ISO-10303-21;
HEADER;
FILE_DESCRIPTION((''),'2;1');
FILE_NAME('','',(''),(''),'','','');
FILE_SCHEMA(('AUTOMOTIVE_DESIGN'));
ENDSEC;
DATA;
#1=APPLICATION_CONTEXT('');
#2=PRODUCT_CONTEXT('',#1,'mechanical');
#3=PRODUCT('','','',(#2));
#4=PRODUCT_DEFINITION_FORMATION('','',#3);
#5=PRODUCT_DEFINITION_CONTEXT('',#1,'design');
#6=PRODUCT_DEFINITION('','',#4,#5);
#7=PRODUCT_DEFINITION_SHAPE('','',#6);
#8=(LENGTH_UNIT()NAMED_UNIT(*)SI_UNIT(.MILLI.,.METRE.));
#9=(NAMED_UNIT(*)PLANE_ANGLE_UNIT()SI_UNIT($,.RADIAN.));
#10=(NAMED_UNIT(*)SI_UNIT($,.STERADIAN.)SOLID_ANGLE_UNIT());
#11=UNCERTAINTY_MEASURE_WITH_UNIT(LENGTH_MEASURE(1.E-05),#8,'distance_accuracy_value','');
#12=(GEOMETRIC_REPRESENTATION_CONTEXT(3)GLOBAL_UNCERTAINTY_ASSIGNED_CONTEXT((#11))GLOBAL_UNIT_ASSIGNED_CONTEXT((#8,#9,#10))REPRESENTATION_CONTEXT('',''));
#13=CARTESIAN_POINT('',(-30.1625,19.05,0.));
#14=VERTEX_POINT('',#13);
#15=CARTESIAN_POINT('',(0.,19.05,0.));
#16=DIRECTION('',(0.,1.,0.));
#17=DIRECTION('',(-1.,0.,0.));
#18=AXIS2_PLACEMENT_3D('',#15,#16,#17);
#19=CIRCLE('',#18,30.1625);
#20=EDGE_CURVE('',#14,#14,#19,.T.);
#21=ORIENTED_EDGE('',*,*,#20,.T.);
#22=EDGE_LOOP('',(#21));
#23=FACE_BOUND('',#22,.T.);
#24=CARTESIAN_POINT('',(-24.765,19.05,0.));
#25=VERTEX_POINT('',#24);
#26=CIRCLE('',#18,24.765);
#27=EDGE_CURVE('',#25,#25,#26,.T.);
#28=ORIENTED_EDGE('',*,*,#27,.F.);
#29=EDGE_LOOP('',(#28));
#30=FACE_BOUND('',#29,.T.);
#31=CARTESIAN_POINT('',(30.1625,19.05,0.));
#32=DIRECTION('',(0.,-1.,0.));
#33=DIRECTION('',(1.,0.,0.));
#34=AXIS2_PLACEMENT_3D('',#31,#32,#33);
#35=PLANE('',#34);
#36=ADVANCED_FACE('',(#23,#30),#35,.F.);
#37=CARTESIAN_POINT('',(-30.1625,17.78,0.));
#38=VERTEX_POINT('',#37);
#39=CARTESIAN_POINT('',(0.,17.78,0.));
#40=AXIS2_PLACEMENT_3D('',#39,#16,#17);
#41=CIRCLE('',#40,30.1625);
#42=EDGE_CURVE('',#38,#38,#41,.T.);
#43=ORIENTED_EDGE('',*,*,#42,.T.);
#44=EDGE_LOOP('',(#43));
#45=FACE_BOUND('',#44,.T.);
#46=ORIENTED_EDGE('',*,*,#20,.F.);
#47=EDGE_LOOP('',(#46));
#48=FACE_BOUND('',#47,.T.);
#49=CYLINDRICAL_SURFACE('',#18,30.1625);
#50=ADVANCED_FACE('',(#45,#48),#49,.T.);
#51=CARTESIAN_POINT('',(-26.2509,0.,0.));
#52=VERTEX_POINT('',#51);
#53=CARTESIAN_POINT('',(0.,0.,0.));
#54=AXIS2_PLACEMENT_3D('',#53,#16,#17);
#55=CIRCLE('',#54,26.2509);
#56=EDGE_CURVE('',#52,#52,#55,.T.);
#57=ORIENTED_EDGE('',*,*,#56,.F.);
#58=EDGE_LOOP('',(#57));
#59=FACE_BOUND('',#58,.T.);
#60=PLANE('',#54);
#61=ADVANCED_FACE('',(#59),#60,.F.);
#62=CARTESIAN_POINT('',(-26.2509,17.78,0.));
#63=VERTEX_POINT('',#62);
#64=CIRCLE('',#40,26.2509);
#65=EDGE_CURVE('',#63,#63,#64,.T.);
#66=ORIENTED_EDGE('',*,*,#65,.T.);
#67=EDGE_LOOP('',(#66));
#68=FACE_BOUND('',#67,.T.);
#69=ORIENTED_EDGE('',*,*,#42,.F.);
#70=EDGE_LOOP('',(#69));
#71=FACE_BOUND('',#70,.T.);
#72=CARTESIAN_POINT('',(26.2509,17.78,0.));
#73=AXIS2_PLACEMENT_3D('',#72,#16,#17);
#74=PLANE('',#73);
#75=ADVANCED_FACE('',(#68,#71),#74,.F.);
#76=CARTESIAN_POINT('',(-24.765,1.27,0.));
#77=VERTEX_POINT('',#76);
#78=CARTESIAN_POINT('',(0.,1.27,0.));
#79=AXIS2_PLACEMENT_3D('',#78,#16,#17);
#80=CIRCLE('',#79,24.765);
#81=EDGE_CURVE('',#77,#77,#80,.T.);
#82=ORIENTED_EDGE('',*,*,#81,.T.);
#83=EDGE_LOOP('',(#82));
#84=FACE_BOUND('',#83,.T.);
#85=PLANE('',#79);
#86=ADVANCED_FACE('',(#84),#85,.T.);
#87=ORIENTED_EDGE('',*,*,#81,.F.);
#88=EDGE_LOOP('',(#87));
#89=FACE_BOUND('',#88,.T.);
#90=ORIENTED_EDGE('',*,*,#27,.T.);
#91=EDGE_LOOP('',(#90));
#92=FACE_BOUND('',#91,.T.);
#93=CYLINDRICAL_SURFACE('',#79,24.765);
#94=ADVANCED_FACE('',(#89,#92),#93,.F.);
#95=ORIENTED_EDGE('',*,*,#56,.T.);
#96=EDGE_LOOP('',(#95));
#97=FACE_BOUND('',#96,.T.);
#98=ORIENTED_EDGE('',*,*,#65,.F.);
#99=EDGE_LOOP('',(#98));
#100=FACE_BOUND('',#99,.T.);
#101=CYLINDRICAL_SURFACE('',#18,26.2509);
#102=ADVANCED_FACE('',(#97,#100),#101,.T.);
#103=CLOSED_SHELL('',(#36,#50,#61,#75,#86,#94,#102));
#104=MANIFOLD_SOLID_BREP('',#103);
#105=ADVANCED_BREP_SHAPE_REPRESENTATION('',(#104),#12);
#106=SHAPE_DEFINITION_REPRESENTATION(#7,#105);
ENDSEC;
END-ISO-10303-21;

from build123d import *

# Parameters (mm, degrees)
SKETCH4_R          = 24.765
CUT_EXTRUDE1_DEPTH = 17.78


with BuildPart() as part:
    # Sketch3 → Revolve1 (revolve)
    with BuildSketch(Plane.XY):
        Polygon((0, 0), (26.2509, 0), (26.2509, 17.78), (30.1625, 17.78), (30.1625, 19.05), (0, 19.05), align=None)
    revolve(axis=Axis((0, 19.05, 0), (0, -1, 0)))

    # Sketch4 → Cut-Extrude1 (cut)
    with BuildSketch(Plane(origin=(0, 19.05, 0), x_dir=(1, 0, 0), z_dir=(0, 1, 0))):
        Circle(SKETCH4_R)
    extrude(amount=-CUT_EXTRUDE1_DEPTH, mode=Mode.SUBTRACT)


solid = part.part
